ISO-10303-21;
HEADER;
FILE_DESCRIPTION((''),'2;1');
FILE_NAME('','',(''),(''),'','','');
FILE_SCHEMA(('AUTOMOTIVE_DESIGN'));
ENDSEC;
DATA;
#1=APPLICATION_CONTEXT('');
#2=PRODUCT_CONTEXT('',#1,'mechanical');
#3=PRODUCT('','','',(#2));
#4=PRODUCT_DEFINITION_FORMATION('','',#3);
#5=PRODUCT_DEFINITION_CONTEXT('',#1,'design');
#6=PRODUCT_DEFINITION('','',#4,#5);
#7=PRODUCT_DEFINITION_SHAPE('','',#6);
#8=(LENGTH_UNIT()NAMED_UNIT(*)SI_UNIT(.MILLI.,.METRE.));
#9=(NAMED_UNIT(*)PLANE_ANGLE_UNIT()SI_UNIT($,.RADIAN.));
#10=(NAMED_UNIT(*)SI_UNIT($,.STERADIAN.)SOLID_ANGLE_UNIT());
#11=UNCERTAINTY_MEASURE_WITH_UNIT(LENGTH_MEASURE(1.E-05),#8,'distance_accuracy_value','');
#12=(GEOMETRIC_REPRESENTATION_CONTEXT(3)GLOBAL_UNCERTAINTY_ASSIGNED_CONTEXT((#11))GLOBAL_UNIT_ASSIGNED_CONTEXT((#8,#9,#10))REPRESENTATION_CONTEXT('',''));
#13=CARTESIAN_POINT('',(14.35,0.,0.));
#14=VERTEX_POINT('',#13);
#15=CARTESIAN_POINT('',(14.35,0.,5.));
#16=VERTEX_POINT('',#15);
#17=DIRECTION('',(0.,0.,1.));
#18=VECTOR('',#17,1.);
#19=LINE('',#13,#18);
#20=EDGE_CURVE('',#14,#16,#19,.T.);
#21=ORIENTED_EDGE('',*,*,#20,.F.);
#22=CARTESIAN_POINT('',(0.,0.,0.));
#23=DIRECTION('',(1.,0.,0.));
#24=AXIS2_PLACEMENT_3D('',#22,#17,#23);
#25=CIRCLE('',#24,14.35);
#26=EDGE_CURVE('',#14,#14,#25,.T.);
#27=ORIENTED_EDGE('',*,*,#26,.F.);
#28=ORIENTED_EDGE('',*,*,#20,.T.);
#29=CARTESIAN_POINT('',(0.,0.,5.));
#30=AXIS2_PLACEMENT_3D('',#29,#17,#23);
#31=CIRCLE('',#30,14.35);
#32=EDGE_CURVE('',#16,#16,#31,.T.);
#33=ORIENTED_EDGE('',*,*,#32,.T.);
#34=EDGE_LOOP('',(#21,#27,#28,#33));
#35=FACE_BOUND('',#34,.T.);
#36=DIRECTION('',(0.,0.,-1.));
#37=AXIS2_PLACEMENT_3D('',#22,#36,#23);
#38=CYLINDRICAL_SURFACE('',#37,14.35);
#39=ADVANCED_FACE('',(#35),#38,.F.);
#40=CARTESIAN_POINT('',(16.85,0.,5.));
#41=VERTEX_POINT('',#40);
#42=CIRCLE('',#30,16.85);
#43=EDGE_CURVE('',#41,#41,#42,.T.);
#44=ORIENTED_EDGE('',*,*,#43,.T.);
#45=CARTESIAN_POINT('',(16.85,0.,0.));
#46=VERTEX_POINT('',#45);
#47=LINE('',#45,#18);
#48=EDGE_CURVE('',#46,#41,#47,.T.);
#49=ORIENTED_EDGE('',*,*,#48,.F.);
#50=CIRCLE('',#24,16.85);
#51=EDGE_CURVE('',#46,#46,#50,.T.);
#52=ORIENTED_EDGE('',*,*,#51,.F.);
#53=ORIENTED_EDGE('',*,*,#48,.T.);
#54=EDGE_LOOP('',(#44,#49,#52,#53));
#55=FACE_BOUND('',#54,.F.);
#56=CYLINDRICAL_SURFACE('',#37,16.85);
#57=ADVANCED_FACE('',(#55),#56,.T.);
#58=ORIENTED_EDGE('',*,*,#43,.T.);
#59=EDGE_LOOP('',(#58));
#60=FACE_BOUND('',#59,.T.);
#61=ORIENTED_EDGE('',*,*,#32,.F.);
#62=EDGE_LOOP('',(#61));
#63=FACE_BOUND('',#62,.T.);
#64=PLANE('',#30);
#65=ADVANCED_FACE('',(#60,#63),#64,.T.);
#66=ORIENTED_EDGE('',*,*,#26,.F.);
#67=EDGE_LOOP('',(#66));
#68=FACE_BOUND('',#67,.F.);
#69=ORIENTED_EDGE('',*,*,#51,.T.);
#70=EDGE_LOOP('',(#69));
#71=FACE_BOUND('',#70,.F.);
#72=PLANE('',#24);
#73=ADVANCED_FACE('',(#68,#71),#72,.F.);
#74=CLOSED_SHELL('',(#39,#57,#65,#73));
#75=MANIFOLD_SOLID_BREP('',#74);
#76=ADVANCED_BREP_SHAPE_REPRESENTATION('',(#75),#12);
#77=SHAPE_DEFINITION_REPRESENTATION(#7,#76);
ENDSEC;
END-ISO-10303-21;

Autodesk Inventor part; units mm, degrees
ref_plane "YZ Plane" through (0, 0, 0) normal (1, 0, 0) x (0, 1, 0)
ref_plane "XZ Plane" through (0, 0, 0) normal (0, 1, 0) x (-1, 0, 0)
ref_plane "XY Plane" through (0, 0, 0) normal (0, 0, 1) x (1, 0, 0)
sketch "Sketch1" plane through (0, 0, 0) normal (0, 0, 1) x (1, 0, 0)
  circle A0 centre (0, 0) radius 14.35
  circle A1 centre (0, 0) radius 16.85
  dimension "d0" = 28.7
  dimension "d1" = 33.7
extrude "Extrusion2" add sketch "Sketch1" along normal blind 5
properties part number "Circle_TestFit_V1"
